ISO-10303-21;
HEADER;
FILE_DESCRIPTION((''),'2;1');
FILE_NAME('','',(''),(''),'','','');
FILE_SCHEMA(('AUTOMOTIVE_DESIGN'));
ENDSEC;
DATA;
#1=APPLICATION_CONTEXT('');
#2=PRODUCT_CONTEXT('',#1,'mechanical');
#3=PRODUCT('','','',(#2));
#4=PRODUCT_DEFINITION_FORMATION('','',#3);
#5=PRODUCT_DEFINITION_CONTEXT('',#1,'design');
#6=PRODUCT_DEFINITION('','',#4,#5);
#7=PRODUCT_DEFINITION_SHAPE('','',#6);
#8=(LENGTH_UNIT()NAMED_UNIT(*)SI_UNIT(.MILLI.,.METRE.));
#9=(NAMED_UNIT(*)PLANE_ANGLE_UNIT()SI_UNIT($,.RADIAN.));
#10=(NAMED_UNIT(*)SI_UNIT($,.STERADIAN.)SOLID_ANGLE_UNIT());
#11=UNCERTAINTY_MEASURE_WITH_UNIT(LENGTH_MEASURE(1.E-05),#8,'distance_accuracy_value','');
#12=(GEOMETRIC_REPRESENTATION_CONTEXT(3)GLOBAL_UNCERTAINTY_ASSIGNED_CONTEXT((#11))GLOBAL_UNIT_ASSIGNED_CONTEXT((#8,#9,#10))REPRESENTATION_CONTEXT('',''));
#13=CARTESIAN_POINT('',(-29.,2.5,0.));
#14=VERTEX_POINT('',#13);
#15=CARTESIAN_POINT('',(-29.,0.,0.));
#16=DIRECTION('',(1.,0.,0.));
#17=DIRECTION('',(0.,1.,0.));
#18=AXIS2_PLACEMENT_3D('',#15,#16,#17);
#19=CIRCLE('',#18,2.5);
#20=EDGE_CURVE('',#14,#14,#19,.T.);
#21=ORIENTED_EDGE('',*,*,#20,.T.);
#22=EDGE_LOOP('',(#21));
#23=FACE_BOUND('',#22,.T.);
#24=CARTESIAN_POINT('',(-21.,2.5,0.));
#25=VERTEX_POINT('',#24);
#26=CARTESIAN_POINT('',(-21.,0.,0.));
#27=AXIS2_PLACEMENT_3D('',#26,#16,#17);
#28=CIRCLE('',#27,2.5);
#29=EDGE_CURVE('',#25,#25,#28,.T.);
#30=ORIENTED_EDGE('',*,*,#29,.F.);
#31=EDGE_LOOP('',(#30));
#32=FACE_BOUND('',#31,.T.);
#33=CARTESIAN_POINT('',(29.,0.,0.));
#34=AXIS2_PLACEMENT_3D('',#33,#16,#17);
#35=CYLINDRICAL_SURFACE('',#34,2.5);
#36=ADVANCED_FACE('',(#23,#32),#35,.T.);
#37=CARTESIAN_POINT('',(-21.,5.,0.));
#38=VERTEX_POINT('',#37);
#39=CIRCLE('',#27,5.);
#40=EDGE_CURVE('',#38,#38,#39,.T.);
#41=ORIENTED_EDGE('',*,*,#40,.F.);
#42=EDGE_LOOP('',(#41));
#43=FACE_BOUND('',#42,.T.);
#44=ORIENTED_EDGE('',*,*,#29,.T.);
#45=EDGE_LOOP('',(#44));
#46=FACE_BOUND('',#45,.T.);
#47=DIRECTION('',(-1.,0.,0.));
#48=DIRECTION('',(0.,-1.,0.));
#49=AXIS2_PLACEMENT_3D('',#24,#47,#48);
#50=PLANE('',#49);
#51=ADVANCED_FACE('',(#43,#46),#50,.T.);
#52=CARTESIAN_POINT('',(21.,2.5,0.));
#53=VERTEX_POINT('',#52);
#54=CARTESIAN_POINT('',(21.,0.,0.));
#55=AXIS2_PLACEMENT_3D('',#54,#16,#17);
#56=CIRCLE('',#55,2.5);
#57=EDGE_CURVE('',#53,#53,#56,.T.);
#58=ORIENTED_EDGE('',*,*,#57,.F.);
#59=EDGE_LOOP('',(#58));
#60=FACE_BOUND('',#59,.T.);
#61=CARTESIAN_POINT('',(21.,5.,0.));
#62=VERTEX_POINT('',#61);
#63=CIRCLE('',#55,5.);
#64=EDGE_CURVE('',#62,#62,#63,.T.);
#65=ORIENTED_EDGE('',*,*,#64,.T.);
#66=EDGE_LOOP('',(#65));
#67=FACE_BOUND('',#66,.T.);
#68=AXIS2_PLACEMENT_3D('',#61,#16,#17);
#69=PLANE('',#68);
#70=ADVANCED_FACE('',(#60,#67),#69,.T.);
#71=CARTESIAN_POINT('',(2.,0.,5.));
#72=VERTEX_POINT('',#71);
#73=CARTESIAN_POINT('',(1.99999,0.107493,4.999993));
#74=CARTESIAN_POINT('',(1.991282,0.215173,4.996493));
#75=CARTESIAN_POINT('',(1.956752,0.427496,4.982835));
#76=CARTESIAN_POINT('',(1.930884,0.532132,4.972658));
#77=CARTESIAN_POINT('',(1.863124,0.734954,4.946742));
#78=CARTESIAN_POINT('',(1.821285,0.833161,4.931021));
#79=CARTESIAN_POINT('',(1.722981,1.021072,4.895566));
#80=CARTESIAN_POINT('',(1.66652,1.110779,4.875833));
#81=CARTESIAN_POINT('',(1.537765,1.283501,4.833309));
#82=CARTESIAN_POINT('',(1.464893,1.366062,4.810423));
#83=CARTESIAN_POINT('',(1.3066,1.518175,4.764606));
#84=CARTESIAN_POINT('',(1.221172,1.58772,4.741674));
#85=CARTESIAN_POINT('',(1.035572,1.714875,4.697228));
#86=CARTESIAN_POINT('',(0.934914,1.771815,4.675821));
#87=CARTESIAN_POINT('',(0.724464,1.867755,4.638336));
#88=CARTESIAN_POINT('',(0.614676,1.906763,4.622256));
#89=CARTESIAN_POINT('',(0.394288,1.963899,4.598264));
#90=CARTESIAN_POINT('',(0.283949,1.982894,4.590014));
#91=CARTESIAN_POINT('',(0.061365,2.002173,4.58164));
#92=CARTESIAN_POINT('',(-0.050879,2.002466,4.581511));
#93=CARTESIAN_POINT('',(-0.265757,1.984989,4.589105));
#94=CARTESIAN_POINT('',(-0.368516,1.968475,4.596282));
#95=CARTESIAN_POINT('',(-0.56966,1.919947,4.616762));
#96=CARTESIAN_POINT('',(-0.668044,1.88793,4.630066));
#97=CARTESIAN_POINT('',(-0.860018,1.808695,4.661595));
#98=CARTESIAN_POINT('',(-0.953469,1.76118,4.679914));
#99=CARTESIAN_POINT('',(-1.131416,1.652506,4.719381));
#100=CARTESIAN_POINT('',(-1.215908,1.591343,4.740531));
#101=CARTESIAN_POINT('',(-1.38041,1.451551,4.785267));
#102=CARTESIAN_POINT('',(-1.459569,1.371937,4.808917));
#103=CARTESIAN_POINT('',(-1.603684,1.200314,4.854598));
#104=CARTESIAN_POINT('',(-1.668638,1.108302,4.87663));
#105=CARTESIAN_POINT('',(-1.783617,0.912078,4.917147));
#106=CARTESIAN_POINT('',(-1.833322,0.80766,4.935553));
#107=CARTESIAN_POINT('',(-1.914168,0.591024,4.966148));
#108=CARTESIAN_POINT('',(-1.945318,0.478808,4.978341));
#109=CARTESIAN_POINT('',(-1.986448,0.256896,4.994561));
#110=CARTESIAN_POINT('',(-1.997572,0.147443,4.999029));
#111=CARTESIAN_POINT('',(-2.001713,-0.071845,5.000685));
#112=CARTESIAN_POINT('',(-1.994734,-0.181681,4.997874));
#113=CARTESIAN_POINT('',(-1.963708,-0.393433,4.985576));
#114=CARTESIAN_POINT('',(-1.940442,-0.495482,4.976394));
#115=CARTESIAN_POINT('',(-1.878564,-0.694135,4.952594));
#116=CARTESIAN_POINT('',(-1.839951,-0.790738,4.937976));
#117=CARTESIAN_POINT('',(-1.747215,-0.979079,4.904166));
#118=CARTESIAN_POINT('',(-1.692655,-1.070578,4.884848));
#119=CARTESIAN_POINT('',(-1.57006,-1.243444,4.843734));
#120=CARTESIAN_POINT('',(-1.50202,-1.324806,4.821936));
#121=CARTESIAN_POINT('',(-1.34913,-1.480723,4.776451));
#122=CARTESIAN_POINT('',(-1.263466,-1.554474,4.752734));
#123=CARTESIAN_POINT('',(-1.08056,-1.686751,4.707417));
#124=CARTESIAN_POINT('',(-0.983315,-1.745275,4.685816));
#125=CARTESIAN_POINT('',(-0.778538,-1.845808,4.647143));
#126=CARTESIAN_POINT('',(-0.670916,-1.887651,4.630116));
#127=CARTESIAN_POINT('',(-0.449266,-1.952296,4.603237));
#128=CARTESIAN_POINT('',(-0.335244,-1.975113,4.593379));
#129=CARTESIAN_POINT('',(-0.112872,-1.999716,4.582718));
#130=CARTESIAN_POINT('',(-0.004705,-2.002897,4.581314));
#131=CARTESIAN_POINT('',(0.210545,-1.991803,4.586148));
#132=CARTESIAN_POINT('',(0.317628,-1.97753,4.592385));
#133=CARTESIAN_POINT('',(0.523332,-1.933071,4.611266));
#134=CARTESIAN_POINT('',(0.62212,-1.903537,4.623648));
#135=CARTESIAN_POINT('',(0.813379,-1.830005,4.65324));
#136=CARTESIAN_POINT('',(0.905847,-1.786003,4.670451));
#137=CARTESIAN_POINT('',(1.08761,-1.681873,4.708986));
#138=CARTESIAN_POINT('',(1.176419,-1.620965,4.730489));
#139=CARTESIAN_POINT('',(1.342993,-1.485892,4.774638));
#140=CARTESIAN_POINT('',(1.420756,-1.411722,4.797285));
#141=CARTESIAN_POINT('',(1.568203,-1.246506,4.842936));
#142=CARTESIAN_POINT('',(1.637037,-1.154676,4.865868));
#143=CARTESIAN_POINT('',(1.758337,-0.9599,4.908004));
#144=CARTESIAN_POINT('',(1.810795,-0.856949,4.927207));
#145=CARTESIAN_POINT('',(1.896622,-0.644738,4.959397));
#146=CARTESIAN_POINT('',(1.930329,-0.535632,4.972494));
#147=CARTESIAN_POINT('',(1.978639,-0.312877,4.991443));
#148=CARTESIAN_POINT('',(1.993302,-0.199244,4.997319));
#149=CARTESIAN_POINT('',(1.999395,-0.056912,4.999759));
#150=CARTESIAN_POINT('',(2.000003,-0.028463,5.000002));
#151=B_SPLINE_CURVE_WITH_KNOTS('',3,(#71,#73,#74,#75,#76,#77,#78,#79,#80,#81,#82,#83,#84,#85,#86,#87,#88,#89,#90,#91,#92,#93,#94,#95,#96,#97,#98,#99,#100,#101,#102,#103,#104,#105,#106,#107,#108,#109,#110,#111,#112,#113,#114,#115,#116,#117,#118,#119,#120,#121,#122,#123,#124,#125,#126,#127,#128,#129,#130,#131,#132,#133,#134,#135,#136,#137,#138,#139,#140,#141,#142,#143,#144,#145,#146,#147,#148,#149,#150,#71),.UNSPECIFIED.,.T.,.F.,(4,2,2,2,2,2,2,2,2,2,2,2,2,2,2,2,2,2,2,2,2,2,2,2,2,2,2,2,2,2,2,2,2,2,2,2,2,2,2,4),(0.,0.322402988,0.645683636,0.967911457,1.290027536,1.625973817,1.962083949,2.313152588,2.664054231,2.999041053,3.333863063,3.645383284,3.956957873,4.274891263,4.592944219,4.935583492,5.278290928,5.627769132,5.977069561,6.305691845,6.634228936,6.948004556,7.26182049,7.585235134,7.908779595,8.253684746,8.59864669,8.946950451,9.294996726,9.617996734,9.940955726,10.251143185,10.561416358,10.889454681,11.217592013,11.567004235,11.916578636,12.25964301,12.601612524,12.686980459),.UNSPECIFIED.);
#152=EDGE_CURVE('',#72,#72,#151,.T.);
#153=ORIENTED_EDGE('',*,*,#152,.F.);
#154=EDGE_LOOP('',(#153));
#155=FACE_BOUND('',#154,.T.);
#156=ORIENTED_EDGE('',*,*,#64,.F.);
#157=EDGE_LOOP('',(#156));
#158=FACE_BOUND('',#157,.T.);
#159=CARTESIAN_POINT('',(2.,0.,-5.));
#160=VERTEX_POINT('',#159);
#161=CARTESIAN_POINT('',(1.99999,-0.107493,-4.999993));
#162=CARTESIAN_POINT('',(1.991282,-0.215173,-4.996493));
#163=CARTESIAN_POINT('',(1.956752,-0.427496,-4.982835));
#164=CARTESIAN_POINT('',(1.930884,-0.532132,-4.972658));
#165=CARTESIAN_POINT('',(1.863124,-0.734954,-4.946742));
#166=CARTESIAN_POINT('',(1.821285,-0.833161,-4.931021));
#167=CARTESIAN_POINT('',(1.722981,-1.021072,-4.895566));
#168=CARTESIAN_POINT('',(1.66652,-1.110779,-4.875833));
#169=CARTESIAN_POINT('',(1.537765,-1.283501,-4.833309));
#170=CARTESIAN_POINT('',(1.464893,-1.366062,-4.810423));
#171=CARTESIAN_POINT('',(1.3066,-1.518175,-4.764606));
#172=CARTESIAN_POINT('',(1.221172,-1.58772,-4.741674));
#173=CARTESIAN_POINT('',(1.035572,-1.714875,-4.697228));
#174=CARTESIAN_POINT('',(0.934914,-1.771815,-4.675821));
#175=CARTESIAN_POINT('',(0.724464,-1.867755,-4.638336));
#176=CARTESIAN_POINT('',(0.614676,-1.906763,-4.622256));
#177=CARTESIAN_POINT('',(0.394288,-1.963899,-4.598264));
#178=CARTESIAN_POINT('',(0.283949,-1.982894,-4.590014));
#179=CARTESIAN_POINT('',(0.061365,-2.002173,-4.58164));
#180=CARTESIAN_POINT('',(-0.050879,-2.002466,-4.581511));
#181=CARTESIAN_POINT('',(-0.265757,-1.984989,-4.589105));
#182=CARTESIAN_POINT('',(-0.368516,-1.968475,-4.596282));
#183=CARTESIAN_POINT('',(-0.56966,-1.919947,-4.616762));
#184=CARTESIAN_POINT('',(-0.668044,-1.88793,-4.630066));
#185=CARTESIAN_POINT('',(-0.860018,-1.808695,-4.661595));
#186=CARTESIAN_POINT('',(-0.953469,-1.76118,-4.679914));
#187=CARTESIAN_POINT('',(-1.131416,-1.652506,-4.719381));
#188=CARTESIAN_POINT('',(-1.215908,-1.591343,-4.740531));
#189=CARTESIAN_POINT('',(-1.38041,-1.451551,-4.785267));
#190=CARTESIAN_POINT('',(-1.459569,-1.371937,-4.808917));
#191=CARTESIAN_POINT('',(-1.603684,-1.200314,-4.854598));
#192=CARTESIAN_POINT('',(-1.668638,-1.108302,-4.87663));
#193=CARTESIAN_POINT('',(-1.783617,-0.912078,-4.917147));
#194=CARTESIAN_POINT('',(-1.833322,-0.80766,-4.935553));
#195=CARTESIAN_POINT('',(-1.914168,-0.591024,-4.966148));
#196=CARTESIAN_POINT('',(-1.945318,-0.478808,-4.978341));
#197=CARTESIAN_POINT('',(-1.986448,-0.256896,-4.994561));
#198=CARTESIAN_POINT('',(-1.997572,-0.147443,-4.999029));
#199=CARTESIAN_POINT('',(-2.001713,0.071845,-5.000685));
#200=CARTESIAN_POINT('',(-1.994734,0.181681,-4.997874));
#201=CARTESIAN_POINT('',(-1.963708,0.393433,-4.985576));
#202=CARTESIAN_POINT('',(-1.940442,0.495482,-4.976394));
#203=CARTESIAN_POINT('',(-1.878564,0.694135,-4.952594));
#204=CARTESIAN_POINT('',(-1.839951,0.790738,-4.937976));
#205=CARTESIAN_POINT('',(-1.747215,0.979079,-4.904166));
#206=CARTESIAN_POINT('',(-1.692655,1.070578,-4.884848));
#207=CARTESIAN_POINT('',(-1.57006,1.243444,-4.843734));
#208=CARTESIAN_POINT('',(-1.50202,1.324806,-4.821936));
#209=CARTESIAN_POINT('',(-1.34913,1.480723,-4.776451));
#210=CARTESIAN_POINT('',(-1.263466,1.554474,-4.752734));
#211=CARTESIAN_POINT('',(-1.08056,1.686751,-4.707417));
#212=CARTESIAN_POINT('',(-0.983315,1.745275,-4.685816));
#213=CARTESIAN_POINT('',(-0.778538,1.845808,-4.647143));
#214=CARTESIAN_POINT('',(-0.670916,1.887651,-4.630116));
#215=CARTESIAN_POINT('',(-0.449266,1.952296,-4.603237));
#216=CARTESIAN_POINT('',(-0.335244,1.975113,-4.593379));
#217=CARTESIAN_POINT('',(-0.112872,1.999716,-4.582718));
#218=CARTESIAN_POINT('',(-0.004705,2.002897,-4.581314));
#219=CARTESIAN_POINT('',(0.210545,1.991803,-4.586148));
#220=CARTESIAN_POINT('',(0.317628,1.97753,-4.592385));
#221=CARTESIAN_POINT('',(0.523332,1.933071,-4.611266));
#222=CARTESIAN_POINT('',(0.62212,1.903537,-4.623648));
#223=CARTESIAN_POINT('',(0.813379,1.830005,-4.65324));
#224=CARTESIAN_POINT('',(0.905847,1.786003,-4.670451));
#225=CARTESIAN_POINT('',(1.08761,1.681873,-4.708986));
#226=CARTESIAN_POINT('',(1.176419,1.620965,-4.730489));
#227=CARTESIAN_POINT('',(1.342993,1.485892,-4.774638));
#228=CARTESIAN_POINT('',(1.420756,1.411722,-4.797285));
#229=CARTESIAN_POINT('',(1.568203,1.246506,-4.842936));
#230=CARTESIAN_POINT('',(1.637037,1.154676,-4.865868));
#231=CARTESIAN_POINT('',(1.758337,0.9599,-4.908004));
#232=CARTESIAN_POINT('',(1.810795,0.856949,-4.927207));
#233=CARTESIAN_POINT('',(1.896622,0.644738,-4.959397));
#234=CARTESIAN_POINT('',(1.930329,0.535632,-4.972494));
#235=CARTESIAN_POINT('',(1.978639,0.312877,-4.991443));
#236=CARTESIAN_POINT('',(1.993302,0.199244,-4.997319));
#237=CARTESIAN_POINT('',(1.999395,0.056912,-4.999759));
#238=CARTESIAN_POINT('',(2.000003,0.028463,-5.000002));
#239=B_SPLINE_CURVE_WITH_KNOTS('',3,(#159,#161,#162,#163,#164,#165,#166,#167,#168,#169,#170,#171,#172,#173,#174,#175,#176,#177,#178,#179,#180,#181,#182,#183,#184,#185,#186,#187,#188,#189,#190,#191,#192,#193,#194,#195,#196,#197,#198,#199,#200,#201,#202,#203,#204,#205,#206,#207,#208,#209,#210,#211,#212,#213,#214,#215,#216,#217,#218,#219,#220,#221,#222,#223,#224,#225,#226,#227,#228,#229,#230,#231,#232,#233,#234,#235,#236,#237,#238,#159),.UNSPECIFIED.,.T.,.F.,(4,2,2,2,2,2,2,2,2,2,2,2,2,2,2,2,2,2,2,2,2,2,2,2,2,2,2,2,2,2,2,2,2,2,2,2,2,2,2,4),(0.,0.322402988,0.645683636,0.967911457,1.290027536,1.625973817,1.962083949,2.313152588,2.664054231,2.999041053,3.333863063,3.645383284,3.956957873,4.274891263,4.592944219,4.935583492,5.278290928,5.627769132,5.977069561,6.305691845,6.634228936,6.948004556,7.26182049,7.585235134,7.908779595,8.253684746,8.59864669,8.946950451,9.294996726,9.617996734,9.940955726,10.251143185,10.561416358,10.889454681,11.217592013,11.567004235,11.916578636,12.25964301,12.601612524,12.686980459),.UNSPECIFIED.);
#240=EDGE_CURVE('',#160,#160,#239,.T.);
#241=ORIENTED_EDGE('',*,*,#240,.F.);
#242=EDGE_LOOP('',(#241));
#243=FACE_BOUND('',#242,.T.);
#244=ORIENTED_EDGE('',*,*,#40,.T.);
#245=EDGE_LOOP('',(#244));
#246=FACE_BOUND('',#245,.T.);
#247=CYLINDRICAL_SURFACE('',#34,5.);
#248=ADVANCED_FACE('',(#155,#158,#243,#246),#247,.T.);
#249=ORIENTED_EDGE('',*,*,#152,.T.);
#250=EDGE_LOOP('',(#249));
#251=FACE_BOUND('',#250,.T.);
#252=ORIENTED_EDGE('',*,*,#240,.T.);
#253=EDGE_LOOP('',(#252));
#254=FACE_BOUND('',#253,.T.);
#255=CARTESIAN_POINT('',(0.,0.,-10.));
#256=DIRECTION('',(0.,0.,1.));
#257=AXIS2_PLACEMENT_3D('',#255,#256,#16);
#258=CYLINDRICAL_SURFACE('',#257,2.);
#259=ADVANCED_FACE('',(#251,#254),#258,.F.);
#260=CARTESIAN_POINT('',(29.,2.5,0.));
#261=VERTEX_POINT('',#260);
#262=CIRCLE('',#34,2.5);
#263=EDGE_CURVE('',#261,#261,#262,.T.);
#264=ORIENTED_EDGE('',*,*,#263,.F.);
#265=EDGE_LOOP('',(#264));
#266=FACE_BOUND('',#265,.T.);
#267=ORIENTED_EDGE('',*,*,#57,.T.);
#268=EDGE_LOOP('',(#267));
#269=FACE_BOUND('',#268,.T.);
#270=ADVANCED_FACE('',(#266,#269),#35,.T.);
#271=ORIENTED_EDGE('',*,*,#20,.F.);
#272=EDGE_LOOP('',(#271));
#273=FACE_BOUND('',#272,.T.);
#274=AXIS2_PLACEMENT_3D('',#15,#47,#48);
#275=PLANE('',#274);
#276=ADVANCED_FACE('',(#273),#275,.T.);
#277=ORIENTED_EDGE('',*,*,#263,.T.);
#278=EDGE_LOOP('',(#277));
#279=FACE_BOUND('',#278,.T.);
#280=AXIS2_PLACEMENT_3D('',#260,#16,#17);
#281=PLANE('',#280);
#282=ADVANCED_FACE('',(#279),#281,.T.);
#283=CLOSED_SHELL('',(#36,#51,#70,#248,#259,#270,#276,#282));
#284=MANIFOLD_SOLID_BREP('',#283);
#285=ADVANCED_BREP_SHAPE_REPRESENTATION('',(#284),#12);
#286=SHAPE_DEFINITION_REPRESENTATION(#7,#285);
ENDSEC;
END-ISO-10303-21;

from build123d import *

# Parameters (mm, degrees)
SKETCH_3_R          = 2
CUT_EXTRUDE_1_DEPTH = 10


with BuildPart() as part:
    # 草圖1 → 旋轉1 (revolve)
    with BuildSketch(Plane.XY):
        Polygon((-29, 0), (-29, 2.5), (-21, 2.5), (-21, 5), (21, 5), (21, 2.5), (29, 2.5), (29, 0), align=None)
    revolve(axis=Axis((29, 0, 0), (-1, 0, 0)))

    # 草圖3 → 除料-伸長1 (cut, symmetric)
    with BuildSketch(Plane.XY):
        Circle(SKETCH_3_R)
    extrude(amount=CUT_EXTRUDE_1_DEPTH, both=True, mode=Mode.SUBTRACT)


solid = part.part
